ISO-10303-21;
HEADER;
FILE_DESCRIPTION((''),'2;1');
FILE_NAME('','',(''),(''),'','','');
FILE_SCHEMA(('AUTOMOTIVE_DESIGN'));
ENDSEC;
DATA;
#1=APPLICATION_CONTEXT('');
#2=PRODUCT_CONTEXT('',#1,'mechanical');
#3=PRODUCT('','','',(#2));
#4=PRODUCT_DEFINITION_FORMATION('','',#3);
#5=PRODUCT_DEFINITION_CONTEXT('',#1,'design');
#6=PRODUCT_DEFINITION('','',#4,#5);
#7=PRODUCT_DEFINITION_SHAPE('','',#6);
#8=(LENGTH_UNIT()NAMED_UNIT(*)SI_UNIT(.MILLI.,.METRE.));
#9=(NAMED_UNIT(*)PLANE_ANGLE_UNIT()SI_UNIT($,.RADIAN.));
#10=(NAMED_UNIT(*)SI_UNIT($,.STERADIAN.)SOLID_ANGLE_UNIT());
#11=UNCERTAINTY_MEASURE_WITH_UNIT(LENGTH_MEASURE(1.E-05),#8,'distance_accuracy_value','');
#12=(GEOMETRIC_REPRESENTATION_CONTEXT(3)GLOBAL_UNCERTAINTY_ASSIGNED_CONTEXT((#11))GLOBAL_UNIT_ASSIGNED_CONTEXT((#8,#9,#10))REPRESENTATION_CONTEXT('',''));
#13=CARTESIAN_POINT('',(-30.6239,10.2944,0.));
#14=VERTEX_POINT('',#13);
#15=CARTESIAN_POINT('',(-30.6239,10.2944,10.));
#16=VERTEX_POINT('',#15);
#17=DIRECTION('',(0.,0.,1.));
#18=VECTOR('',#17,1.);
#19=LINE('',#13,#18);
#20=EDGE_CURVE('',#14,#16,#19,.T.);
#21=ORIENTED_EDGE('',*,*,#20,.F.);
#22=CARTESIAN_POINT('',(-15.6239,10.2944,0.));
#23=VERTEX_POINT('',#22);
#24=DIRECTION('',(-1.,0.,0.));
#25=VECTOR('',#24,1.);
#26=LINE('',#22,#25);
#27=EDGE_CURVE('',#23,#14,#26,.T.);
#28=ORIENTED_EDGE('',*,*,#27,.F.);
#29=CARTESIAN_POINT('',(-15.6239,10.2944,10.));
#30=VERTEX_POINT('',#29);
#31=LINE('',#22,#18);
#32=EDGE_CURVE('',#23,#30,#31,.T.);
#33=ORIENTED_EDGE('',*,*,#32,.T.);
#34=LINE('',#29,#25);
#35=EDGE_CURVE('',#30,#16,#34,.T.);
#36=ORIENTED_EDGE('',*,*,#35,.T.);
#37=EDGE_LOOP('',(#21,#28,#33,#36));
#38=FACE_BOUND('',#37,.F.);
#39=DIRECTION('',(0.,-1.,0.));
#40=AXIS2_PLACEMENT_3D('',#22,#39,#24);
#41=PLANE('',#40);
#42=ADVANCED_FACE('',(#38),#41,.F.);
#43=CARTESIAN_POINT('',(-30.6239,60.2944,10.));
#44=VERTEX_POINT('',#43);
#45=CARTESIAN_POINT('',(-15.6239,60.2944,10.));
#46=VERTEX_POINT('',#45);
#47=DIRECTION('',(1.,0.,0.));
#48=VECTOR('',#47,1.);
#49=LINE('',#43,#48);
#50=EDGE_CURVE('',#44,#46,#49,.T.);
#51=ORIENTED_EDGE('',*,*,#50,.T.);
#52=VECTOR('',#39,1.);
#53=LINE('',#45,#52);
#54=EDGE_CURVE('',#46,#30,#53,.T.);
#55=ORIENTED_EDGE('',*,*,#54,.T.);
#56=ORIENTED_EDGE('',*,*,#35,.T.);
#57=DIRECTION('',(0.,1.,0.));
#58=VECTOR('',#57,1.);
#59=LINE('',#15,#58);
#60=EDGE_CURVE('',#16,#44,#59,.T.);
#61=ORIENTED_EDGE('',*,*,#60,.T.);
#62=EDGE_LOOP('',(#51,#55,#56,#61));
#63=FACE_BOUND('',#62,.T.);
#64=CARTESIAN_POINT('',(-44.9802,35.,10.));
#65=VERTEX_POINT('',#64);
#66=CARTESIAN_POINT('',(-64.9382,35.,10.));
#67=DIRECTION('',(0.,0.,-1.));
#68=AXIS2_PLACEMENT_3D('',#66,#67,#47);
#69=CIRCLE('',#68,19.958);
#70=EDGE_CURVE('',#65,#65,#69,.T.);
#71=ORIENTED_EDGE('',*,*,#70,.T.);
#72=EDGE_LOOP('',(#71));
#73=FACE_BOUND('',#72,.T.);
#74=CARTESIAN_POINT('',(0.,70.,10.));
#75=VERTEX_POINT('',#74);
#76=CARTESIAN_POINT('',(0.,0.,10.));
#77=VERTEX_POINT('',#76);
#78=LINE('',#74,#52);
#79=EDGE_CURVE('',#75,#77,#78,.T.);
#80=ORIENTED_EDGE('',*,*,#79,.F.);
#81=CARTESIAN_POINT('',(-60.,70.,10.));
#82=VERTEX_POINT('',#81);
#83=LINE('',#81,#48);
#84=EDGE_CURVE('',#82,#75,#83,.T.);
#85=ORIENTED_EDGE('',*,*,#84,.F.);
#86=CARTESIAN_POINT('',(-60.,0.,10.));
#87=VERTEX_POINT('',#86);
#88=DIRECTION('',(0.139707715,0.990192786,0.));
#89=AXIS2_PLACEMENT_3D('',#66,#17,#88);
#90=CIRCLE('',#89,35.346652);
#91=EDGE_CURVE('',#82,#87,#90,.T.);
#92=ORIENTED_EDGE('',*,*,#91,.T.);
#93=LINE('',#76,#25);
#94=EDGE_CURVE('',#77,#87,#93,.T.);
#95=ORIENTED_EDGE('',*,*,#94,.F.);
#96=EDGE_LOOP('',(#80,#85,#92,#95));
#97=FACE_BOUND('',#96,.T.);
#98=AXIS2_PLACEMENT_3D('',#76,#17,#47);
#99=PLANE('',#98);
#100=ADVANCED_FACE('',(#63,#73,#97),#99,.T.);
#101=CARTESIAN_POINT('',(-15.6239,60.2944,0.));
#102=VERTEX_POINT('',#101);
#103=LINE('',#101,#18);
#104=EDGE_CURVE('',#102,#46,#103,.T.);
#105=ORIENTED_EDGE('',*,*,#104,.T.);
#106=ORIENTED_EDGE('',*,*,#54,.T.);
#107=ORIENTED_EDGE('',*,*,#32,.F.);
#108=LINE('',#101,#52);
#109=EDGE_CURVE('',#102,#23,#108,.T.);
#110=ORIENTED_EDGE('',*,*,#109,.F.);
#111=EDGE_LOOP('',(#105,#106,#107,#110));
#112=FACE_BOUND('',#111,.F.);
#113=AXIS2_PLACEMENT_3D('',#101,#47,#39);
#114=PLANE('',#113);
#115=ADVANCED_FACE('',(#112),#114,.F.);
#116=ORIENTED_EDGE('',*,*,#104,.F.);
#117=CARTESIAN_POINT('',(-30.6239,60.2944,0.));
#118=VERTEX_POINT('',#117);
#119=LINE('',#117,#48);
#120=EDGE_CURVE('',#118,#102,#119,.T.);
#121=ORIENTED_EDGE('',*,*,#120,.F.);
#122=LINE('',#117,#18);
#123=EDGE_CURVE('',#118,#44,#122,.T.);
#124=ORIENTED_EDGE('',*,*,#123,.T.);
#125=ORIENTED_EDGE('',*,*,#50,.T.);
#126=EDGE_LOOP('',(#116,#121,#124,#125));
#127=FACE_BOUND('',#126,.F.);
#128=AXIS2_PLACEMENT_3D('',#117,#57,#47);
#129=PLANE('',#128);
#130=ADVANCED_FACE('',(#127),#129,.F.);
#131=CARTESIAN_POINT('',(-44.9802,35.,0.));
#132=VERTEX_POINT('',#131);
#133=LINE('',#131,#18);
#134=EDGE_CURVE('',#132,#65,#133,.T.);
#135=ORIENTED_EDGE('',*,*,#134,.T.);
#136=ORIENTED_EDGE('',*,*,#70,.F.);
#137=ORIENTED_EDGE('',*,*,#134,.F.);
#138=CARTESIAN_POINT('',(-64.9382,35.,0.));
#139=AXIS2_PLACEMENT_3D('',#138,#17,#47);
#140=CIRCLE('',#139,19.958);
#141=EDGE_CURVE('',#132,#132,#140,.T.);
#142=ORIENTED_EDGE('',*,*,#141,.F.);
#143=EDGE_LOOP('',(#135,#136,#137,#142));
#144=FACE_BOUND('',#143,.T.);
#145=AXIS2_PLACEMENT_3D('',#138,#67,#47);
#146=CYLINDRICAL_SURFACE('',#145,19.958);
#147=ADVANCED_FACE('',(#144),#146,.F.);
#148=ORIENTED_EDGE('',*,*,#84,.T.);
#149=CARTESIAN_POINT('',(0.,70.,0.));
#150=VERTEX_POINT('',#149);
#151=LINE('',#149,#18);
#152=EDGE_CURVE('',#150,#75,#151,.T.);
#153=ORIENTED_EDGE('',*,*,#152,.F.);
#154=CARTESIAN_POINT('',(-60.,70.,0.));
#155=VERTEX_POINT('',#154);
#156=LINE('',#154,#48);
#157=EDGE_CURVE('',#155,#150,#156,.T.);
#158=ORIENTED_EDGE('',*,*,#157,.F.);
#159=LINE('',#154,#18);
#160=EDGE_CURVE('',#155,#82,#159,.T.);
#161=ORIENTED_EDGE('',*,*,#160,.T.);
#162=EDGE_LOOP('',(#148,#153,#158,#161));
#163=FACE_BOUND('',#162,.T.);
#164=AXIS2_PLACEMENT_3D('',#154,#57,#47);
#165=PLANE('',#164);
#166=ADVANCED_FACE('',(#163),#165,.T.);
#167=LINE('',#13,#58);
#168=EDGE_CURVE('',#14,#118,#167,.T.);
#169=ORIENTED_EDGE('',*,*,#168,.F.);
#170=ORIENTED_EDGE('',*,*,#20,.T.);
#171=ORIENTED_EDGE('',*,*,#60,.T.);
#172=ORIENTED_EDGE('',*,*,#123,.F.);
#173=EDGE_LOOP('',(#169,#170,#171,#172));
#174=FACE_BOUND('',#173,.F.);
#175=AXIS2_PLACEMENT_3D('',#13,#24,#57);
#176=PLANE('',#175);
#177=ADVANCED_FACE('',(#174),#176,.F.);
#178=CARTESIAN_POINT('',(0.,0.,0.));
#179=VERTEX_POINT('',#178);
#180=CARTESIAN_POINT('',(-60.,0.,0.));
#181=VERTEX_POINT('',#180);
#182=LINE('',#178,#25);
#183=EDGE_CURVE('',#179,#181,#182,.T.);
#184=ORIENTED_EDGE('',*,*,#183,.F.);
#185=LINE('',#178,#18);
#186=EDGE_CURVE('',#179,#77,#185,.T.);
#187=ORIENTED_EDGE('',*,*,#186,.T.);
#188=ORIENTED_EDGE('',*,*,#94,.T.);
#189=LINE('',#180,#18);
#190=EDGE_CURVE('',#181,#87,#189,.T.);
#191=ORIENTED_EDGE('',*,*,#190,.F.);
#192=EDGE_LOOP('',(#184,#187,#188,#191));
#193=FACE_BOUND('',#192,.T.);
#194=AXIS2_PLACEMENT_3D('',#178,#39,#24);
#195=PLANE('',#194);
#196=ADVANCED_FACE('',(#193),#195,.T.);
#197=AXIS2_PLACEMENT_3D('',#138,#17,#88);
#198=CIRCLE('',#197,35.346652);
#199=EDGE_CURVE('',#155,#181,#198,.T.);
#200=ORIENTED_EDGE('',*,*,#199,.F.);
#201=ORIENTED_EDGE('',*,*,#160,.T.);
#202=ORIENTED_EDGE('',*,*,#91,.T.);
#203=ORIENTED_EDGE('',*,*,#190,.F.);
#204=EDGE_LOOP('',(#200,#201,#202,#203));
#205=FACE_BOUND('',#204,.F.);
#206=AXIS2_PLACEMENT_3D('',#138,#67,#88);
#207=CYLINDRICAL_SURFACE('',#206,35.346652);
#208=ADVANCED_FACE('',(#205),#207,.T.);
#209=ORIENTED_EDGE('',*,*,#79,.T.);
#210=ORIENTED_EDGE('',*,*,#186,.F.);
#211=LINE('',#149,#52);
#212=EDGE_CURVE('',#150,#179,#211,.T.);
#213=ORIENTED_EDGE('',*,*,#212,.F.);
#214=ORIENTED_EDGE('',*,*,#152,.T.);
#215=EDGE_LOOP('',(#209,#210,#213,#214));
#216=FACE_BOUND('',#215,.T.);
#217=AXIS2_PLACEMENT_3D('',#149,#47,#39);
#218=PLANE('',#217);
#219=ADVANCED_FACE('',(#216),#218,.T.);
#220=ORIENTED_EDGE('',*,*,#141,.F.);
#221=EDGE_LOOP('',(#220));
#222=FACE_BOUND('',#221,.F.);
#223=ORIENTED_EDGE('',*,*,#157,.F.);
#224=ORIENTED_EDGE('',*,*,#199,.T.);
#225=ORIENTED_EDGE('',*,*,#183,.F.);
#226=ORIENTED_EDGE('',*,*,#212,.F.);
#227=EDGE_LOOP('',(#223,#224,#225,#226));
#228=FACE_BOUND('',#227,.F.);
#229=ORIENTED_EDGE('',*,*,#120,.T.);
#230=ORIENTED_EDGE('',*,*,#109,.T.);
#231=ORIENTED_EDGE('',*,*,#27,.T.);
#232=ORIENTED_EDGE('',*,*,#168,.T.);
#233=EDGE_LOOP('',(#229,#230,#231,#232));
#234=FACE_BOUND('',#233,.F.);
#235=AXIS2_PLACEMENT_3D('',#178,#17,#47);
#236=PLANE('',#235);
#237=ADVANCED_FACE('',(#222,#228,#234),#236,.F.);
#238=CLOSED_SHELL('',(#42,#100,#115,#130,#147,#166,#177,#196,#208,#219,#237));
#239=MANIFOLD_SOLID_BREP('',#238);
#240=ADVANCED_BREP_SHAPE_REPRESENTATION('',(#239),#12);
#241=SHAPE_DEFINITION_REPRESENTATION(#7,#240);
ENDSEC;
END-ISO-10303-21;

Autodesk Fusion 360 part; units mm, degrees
sketch "Sketch1" plane through (0, 0, 0) normal (0, 0, 1) x (1, 0, 0)
  line L0 (0, 0) -> (-60, 0)
  line L1 (-60, 0) -> (-60, 70)
  line L2 (-60, 70) -> (0, 70)
  line L3 (0, 70) -> (0, 0)
  arc A0 (-60, 70) -> (-60, 0) centre (-64.9382, 35) ccw
  circle A1 centre (-64.9382, 35) radius 19.958
  line L4 (-30.6239, 60.2944) -> (-15.6239, 60.2944)
  line L5 (-15.6239, 60.2944) -> (-15.6239, 10.2944)
  line L6 (-15.6239, 10.2944) -> (-30.6239, 10.2944)
  line L7 (-30.6239, 10.2944) -> (-30.6239, 60.2944)
  dimension "d1" = 70
  dimension "d2" = 60
  dimension "d3" = 50
  dimension "d4" = 15
sketch "Sketch2" plane through (0, 0, 0) normal (0, 0, 1) x (1, 0, 0)
extrude "Extrude1" add sketch "Sketch1" along normal blind 10 contours L0 L1 L2 L3 A1 | L1 A0 A1
